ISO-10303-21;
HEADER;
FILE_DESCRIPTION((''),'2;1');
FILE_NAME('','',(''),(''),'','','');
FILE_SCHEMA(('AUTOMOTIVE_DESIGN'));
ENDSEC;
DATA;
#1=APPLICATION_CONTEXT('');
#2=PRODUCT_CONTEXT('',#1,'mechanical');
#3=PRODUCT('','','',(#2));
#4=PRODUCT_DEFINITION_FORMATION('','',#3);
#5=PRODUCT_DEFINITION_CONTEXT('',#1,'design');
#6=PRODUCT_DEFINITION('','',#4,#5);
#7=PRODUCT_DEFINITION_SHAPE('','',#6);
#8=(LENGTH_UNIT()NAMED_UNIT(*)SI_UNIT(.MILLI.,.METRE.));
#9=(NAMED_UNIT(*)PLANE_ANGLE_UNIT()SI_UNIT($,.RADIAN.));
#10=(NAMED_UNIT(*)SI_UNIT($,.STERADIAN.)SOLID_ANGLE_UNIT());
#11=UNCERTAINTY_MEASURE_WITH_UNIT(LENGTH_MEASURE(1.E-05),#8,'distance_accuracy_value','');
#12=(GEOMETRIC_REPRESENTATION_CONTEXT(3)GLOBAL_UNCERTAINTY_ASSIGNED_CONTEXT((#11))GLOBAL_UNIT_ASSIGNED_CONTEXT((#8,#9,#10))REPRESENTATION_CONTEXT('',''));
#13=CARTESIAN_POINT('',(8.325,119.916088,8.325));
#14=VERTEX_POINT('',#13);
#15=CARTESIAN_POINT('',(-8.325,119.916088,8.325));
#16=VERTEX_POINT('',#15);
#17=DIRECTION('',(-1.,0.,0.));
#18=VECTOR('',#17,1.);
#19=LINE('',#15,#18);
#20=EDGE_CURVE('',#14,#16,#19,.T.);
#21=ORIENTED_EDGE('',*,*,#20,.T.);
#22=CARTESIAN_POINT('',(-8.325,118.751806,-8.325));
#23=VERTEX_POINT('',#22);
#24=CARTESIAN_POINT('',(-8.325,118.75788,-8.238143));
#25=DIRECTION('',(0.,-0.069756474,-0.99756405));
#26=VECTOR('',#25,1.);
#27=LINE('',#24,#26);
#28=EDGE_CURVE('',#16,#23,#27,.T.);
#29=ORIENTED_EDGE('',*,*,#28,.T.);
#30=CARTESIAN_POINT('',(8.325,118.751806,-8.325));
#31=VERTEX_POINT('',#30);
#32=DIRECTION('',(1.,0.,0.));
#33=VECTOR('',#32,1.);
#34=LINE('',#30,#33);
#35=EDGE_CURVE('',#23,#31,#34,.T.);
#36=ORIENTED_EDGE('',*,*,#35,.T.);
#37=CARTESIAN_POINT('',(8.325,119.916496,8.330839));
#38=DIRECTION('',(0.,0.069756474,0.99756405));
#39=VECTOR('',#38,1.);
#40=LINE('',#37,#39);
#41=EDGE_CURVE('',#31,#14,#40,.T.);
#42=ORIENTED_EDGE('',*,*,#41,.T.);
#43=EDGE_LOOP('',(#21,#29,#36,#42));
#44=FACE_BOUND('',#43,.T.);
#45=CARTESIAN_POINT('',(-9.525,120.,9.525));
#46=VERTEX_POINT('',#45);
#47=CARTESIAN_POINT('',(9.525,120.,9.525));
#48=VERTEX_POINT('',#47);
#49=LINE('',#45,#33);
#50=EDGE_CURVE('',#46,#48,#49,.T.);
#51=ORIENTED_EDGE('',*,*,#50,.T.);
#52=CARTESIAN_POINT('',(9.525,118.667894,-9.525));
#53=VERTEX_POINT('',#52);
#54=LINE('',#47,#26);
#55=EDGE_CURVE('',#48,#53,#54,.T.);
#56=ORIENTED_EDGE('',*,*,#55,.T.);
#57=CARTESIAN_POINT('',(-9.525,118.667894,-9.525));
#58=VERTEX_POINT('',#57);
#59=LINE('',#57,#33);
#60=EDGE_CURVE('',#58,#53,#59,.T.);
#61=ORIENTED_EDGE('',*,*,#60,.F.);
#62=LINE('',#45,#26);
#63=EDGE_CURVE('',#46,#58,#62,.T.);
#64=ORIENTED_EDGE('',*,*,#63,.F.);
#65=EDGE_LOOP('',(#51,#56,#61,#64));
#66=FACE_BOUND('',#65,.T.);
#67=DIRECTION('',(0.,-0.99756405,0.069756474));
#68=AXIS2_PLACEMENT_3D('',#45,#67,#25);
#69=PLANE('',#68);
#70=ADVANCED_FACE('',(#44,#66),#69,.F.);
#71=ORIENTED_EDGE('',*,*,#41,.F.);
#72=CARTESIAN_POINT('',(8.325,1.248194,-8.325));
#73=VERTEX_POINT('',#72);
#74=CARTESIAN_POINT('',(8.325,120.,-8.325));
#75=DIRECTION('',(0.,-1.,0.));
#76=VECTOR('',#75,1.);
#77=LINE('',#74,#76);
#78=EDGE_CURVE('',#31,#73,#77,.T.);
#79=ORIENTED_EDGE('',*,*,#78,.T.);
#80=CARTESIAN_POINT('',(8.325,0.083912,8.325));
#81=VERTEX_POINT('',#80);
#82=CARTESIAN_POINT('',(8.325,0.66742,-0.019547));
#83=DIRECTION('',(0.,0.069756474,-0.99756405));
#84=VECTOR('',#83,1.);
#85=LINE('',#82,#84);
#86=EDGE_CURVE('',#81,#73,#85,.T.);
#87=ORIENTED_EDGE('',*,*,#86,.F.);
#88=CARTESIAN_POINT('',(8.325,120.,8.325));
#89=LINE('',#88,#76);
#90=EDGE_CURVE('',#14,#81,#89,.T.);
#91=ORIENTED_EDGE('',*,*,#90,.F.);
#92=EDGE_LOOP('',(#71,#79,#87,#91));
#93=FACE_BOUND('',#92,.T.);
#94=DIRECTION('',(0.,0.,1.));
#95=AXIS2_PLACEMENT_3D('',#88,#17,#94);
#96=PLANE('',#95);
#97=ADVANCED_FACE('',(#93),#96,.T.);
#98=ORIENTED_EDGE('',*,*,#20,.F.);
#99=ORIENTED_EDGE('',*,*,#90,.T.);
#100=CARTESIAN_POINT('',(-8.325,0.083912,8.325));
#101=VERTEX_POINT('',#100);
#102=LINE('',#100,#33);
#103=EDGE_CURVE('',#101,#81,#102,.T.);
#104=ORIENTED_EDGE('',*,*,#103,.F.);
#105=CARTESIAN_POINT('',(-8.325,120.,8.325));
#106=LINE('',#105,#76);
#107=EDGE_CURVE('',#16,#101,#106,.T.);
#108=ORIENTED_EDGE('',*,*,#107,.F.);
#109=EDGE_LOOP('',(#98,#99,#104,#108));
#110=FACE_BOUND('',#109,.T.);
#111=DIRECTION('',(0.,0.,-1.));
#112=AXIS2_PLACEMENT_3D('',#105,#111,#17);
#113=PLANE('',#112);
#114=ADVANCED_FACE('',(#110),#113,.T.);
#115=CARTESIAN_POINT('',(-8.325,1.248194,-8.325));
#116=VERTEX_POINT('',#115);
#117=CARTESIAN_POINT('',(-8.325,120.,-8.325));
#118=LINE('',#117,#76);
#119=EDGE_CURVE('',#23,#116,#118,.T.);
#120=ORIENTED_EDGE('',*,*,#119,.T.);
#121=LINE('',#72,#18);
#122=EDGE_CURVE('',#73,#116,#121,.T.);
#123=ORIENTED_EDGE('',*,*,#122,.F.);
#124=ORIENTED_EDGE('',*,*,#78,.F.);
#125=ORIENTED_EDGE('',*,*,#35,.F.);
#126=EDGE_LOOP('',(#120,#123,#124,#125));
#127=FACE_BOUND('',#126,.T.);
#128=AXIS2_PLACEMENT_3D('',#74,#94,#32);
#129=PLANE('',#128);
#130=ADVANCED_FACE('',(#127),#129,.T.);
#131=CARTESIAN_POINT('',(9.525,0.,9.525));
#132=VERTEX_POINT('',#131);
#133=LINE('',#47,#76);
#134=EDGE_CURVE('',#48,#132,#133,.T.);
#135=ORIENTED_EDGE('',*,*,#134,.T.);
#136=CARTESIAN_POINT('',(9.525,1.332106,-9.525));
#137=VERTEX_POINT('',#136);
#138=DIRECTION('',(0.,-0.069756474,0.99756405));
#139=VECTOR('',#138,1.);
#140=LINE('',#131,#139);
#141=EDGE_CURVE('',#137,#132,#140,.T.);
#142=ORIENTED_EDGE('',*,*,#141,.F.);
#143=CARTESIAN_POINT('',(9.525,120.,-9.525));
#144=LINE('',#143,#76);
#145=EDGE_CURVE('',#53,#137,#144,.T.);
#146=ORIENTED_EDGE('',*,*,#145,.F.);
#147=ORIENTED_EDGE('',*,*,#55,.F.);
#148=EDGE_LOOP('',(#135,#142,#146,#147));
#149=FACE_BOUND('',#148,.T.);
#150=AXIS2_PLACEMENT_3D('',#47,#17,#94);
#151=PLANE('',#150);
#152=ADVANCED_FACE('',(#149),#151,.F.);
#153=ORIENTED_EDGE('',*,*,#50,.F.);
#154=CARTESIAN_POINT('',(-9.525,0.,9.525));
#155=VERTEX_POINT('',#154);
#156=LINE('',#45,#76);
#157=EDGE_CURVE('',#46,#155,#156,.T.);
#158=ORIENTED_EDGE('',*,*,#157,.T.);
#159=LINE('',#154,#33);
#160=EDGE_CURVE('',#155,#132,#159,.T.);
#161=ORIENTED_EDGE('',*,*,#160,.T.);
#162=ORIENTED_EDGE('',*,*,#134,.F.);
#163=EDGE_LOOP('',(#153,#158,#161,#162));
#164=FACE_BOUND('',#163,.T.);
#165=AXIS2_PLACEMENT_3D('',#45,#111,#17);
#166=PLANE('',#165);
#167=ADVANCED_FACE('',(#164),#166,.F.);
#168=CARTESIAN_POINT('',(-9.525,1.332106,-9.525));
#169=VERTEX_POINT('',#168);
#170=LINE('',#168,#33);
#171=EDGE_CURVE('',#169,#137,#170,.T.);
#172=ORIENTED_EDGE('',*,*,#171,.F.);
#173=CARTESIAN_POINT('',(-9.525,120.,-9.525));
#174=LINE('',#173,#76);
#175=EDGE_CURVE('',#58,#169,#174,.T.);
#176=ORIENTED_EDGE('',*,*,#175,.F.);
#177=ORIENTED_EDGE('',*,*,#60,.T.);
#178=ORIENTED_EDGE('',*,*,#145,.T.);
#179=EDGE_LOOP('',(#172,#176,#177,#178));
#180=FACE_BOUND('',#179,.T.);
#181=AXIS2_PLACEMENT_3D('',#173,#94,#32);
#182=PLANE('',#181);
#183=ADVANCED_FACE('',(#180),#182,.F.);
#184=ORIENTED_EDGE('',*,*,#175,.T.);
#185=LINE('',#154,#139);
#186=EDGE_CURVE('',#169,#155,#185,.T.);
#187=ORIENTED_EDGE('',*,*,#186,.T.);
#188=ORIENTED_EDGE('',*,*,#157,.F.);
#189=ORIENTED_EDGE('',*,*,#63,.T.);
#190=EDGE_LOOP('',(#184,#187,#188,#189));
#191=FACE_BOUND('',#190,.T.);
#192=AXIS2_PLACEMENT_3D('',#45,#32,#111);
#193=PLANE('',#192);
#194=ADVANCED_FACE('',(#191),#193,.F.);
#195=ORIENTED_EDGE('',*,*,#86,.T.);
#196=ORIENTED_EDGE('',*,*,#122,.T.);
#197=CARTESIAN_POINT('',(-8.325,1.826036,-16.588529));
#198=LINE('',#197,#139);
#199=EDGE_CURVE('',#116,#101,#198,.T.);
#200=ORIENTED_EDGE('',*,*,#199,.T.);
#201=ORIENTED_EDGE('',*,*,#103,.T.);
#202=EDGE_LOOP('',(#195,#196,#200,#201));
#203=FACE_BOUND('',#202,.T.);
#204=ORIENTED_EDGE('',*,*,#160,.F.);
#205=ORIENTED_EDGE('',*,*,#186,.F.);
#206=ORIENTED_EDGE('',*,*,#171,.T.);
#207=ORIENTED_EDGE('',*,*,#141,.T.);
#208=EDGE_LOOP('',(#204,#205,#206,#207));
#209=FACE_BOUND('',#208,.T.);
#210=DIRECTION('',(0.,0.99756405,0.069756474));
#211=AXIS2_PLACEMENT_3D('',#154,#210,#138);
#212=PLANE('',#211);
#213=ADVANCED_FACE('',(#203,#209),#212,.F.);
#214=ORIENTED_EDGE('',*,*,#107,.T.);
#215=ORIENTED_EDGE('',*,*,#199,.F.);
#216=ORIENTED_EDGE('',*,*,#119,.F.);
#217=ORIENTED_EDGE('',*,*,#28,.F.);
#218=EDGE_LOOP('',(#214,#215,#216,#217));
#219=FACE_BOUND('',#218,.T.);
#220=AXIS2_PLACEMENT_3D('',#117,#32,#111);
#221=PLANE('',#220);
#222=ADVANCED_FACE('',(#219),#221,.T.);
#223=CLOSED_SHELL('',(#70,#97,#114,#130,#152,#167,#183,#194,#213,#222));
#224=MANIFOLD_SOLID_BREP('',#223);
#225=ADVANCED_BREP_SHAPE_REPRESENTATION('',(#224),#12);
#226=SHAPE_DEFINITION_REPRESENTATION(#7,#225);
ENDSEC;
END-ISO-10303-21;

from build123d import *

# Parameters (mm, degrees)
SKETCH1_W               = 19.05
SKETCH1_H               = 19.05
BOSS_EXTRUDE1_DEPTH     = 120
SKETCH2_W               = 16.65
SKETCH2_H               = 16.65
CUT_EXTRUDE3_DEPTH      = 121.753680068
CUT_EXTRUDE4_DEPTH      = 121.753680068
CUT_EXTRUDE4_DEPTH_BACK = 121.753680068


with BuildPart() as part:
    # Sketch1 → Boss-Extrude1 (new body)
    with BuildSketch(Plane(origin=(0, 0, 0), x_dir=(1, 0, 0), z_dir=(0, 1, 0))):
        Rectangle(SKETCH1_W, SKETCH1_H)
    extrude(amount=BOSS_EXTRUDE1_DEPTH)

    # Sketch2 → Cut-Extrude3 (cut, through all)
    with BuildSketch(Plane(origin=(0, 0, 0), x_dir=(1, 0, 0), z_dir=(0, 1, 0))):
        Rectangle(SKETCH2_W, SKETCH2_H)
    extrude(amount=CUT_EXTRUDE3_DEPTH, mode=Mode.SUBTRACT)

    # Sketch3 → Cut-Extrude4 (cut, two sides: drawn at the far end of the back side and taken through both)
    with BuildSketch(Plane(origin=(0, 0, 0), x_dir=(0, 0, -1), z_dir=(1, 0, 0)).offset(-CUT_EXTRUDE4_DEPTH_BACK)):
        Polygon((-9.525, 120), (9.525, 118.667894232), (9.525, 120), align=None)
        Polygon((9.525, 0), (-9.525, 0), (9.525, 1.332105768), align=None)
    extrude(amount=CUT_EXTRUDE4_DEPTH + CUT_EXTRUDE4_DEPTH_BACK, mode=Mode.SUBTRACT)


solid = part.part
